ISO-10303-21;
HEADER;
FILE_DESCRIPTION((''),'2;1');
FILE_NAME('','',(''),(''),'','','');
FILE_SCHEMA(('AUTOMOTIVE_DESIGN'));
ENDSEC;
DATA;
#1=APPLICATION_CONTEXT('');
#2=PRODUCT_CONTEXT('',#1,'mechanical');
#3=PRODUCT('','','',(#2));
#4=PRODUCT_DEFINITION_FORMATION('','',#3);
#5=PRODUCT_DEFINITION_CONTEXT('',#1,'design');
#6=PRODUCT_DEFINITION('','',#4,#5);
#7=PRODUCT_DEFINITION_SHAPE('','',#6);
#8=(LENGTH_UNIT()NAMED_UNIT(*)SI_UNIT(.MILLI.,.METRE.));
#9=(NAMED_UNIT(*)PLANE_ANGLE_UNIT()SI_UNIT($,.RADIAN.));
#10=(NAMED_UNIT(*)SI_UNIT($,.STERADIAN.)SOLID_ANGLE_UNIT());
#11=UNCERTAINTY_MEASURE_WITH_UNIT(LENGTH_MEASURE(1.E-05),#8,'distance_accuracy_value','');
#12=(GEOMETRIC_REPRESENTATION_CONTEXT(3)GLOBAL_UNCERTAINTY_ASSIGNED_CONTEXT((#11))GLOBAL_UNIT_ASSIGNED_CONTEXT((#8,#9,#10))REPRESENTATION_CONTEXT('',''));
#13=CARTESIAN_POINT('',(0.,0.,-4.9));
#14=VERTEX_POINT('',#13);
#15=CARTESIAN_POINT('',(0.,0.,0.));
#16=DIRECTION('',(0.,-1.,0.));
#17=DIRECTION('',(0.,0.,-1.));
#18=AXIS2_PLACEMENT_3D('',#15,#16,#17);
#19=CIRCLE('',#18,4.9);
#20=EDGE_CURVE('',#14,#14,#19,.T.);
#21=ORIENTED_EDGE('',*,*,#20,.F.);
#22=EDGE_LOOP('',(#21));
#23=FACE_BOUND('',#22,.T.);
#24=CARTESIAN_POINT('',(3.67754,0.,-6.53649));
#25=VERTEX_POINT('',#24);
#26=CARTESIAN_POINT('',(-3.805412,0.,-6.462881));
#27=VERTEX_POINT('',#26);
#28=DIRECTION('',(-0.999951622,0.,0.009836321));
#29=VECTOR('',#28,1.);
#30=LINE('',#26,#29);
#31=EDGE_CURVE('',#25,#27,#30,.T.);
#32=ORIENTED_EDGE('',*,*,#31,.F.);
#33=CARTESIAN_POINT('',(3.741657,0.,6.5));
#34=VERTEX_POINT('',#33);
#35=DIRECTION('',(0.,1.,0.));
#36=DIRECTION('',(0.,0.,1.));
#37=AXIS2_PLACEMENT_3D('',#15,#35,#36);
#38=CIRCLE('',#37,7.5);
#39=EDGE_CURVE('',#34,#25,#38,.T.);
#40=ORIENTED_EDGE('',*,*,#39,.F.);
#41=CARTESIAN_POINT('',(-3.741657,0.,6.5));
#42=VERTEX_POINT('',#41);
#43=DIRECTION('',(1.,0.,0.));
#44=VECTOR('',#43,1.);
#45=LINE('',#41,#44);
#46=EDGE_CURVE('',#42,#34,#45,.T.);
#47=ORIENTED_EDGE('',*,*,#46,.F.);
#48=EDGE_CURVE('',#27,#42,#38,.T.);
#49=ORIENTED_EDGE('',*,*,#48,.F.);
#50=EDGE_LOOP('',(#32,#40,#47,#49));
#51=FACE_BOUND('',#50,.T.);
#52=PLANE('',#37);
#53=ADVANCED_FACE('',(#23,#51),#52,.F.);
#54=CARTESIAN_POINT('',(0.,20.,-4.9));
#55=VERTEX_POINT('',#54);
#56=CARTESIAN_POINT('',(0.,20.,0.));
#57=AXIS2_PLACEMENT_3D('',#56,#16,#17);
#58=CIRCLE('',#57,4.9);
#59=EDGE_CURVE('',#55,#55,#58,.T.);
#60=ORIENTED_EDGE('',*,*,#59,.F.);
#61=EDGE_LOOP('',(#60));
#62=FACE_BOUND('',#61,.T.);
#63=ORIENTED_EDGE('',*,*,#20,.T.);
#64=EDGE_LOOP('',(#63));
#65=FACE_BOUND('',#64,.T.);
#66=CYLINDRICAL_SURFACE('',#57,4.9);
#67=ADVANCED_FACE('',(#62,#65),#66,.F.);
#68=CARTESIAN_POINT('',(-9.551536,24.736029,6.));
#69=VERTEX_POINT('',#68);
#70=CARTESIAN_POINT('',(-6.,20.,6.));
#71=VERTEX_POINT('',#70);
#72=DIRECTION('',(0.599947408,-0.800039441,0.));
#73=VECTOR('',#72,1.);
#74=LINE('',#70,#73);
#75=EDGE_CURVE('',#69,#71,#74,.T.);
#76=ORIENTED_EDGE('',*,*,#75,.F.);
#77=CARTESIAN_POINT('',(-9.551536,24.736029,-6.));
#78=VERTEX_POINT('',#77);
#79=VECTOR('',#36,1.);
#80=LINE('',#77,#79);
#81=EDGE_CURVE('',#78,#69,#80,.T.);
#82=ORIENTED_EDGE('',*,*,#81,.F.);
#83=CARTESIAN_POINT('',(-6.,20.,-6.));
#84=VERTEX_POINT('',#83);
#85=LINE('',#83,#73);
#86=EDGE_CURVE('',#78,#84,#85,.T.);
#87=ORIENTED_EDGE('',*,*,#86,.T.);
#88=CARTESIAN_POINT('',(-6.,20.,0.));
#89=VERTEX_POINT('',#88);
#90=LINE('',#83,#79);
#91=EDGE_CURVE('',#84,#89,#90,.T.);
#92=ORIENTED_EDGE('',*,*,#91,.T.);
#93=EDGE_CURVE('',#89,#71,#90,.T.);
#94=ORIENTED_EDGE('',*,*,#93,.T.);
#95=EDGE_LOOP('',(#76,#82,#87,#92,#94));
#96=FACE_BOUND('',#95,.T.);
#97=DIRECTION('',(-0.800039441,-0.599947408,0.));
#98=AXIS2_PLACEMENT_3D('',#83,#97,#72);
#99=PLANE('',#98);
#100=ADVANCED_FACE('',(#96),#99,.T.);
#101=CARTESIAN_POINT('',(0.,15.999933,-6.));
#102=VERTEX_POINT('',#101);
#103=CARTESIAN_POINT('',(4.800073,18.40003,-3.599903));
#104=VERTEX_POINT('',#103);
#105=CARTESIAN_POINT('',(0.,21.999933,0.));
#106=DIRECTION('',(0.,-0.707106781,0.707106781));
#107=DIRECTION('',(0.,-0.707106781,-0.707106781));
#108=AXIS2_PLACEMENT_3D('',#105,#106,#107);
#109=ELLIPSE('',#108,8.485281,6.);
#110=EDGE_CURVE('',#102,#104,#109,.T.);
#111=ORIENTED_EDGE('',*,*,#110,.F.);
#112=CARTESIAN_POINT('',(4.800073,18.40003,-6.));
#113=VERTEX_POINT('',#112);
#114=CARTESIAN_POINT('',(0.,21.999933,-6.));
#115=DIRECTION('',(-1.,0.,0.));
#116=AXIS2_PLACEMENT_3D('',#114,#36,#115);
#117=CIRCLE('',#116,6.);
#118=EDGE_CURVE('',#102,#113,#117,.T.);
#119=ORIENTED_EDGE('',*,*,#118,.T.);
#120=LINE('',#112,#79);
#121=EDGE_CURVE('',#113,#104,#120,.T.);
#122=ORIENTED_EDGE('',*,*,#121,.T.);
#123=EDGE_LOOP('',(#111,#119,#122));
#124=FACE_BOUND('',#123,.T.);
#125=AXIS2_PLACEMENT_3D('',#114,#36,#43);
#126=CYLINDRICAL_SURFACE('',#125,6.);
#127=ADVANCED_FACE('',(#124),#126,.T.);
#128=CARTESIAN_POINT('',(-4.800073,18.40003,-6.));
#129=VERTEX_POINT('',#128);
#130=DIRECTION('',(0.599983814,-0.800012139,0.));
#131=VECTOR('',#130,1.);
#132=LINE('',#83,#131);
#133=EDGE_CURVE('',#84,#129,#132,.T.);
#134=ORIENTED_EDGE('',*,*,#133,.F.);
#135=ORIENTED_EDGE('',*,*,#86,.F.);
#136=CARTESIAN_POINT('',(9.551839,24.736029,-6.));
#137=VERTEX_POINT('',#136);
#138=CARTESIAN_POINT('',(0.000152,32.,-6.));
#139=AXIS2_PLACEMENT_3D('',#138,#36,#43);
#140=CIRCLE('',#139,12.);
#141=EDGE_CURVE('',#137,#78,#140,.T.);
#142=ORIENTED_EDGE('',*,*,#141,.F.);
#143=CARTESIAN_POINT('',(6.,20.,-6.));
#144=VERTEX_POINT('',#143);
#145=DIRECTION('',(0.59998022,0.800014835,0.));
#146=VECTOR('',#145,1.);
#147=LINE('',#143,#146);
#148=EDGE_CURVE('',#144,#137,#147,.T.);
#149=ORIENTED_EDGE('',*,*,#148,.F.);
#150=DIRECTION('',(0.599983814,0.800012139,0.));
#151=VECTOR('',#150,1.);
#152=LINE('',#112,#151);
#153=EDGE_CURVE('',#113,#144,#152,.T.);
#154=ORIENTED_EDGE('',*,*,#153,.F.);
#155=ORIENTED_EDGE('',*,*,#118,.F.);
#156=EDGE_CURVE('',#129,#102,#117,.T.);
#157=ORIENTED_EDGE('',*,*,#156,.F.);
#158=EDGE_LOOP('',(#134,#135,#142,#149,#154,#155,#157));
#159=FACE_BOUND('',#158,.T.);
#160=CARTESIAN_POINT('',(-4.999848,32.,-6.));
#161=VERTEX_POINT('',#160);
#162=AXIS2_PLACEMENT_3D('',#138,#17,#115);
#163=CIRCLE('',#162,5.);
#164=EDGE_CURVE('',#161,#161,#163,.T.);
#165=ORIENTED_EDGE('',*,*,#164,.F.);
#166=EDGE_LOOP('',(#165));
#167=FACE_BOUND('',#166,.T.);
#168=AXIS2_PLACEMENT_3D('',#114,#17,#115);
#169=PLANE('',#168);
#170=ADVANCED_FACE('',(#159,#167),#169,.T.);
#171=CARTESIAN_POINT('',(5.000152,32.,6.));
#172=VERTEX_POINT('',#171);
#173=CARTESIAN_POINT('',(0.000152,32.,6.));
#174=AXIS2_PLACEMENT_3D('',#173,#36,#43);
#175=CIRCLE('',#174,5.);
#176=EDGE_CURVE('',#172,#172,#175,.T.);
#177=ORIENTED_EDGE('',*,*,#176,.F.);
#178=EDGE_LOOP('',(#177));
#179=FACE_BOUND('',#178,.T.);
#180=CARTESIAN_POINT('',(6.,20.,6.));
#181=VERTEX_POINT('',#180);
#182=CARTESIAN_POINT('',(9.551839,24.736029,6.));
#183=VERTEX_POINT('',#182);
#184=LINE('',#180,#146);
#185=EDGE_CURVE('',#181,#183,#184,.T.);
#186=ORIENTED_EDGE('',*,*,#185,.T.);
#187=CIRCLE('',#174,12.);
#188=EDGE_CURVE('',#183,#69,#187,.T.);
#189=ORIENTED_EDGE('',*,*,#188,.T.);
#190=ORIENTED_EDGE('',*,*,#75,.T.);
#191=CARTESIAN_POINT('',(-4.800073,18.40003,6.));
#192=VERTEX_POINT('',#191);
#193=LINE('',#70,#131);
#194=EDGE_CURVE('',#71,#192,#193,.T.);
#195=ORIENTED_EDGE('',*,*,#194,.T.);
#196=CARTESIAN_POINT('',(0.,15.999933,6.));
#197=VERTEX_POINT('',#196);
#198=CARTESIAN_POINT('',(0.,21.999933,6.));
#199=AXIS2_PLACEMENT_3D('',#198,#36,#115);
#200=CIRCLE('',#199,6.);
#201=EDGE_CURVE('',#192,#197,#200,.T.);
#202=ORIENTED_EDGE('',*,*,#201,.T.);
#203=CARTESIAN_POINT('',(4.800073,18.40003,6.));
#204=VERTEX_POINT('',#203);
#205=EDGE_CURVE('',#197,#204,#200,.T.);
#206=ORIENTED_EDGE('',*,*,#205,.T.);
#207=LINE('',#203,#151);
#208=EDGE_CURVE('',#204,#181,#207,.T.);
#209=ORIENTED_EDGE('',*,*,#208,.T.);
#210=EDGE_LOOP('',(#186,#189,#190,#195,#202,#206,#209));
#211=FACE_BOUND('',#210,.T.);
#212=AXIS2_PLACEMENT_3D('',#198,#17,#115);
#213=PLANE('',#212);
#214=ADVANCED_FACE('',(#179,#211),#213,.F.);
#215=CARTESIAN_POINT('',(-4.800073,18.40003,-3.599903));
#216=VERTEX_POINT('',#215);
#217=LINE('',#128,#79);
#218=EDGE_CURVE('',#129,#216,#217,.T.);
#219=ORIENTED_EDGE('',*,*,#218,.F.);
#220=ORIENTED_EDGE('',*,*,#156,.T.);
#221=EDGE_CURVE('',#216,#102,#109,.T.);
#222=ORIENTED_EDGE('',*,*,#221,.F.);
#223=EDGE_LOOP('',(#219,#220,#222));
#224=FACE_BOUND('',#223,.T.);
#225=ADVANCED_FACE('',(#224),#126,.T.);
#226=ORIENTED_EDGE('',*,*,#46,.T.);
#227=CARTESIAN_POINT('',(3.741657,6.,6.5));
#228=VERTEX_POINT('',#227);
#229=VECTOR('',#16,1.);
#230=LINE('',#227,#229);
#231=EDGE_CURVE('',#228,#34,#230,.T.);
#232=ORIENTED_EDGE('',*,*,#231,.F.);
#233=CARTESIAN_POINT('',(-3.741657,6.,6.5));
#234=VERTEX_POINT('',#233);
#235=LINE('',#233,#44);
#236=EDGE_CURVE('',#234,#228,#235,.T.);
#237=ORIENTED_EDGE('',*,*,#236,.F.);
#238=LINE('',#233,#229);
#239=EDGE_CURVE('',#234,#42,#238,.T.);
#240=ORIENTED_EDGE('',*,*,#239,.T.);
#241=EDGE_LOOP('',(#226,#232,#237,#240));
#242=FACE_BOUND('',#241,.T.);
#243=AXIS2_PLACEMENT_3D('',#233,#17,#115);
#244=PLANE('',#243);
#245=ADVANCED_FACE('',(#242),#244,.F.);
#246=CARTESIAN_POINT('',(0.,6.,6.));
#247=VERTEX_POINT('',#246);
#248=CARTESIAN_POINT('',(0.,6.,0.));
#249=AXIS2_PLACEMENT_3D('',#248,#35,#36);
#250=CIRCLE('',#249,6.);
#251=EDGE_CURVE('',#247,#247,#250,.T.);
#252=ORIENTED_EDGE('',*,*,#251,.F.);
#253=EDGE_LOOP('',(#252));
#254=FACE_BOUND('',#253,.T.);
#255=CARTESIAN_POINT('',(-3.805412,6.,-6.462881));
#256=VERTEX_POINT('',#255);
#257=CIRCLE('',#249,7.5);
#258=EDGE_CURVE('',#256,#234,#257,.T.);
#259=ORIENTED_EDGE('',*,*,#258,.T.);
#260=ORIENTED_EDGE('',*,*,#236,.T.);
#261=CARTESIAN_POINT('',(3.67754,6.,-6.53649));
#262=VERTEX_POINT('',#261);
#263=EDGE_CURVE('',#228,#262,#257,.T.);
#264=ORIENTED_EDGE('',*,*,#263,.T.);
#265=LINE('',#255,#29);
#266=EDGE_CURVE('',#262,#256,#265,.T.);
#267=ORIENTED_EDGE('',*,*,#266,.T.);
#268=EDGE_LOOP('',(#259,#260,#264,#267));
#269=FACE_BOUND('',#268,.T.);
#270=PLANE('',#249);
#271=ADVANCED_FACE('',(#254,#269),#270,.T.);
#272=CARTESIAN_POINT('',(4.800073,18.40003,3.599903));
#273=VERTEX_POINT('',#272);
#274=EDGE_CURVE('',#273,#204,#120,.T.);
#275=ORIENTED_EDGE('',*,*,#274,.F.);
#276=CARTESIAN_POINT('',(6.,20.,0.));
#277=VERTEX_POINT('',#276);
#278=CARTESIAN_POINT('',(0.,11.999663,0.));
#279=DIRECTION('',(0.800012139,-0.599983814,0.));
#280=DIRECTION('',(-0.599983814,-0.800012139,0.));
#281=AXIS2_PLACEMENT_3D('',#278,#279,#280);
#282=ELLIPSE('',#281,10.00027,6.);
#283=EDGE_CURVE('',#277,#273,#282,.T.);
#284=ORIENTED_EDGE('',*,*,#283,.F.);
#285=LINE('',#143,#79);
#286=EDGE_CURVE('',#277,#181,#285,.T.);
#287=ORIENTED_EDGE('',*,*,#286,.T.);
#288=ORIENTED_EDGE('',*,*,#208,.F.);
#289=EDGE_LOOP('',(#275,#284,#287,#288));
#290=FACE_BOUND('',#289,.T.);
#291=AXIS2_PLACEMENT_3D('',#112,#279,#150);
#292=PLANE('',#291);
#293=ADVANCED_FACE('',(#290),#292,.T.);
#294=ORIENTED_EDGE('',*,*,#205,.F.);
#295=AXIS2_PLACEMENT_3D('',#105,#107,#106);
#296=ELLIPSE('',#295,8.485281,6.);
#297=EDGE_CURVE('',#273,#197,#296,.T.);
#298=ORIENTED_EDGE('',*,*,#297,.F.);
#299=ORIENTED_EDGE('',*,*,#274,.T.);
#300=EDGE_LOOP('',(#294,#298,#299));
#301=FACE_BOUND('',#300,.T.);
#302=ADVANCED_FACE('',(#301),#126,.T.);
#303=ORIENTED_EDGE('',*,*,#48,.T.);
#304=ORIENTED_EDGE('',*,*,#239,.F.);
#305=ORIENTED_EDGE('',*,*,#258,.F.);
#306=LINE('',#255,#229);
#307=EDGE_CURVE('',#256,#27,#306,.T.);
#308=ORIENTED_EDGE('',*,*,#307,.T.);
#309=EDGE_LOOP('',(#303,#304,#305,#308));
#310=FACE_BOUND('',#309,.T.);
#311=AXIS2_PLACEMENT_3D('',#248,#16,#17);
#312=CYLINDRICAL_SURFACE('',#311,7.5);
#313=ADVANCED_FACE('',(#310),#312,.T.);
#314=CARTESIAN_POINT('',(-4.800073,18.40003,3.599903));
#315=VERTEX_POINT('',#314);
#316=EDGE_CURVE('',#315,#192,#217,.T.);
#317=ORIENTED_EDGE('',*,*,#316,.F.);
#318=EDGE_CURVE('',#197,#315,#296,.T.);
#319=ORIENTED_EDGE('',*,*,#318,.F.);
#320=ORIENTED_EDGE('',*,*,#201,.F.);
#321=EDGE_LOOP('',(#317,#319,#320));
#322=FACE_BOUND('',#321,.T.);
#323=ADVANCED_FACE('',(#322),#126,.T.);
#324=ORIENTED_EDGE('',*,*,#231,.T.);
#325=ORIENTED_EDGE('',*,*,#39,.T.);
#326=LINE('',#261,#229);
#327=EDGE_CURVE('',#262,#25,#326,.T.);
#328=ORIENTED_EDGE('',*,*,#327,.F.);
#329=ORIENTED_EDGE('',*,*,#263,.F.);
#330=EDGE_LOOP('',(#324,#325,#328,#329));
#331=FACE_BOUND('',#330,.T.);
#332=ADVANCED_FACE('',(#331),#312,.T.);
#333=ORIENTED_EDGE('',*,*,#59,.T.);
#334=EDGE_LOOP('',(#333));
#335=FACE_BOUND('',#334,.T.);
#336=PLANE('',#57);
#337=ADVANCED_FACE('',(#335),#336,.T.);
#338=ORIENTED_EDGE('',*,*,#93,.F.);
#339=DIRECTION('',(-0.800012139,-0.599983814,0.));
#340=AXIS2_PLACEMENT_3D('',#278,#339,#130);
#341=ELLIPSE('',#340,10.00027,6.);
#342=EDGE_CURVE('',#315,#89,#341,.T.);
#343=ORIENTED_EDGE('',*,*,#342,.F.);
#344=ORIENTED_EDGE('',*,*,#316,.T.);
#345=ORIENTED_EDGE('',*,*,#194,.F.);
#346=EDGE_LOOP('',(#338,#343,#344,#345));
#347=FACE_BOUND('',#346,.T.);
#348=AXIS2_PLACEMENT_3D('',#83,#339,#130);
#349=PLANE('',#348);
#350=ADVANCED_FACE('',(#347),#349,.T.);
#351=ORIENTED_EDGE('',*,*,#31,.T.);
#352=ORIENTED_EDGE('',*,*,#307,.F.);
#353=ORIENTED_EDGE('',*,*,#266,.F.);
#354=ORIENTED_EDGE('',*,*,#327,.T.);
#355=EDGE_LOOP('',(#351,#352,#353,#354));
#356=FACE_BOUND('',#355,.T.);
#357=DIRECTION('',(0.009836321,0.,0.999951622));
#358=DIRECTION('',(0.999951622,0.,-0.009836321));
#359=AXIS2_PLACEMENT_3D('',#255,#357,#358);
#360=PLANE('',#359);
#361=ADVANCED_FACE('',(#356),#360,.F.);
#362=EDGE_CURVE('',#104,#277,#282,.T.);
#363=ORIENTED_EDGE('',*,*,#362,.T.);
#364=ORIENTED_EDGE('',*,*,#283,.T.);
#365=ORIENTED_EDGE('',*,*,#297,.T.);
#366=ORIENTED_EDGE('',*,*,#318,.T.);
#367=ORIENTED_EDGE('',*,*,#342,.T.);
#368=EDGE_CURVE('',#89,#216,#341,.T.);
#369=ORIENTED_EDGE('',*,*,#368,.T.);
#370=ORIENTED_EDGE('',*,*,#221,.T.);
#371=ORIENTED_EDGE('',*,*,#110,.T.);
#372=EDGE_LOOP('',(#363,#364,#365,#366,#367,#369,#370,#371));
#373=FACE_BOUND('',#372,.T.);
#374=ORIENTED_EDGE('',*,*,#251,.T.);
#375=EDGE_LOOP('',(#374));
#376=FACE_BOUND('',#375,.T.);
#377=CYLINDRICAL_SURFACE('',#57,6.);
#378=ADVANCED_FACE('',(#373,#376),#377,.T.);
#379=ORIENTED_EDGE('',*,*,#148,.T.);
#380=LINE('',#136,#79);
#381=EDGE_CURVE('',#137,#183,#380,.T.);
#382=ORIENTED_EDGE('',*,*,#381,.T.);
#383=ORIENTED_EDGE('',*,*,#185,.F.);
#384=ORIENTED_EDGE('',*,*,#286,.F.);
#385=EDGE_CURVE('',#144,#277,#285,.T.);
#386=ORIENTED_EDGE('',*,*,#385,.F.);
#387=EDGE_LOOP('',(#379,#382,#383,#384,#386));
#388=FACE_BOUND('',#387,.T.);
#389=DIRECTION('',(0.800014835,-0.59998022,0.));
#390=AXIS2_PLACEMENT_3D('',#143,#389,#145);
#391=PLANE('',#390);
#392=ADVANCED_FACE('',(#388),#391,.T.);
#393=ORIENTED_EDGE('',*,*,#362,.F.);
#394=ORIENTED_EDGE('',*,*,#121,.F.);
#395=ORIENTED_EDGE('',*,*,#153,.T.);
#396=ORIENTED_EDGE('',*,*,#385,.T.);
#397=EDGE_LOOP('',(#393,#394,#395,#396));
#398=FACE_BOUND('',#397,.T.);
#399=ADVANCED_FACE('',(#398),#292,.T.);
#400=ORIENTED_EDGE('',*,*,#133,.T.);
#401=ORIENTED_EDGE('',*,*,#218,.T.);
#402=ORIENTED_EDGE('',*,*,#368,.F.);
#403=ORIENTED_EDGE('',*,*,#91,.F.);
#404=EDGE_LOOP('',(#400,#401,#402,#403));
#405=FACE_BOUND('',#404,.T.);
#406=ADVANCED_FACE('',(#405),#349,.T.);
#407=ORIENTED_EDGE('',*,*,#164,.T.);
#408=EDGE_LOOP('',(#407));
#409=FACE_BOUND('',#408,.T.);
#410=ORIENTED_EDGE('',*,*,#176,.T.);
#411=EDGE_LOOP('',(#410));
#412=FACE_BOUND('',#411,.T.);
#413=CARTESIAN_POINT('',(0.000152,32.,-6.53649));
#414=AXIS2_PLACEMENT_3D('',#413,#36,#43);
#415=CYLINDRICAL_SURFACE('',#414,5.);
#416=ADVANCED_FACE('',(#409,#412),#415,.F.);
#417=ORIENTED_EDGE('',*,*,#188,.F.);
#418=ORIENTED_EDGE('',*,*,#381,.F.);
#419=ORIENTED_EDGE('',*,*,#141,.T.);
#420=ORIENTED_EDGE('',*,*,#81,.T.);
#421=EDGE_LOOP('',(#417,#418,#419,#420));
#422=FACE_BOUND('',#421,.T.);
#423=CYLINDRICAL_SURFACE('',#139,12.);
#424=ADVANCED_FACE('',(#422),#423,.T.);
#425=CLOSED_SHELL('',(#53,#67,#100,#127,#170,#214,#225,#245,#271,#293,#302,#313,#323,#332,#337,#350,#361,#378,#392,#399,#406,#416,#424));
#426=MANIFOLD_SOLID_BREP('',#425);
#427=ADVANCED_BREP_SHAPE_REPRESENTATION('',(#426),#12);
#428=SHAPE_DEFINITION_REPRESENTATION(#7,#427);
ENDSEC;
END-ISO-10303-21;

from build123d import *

# Parameters (mm, degrees)
BOSS_EXTRUDE1_DEPTH      = 6
SKETCH3_R                = 6
BOSS_EXTRUDE2_DEPTH      = 14
BOSS_EXTRUDE3_DEPTH      = 6
BOSS_EXTRUDE3_DEPTH_BACK = 6
SKETCH5_R                = 5
CUT_EXTRUDE1_DEPTH       = 48.298702048
SKETCH6_R                = 4.9
CUT_EXTRUDE2_DEPTH       = 20


with BuildPart() as part:
    # Sketch2 → Boss-Extrude1 (new body)
    with BuildSketch(Plane(origin=(0, 0, 0), x_dir=(1, 0, 0), z_dir=(0, 1, 0))):
        with BuildLine():
            Line((-3.80541246, 6.462881402), (3.677540288, 6.536489687))
            ThreePointArc((3.677540288, 6.536489687), (7.499909291, 0.03688665), (3.741657387, -6.5))
            Line((3.741657387, -6.5), (-3.741657387, -6.5))
            ThreePointArc((-3.741657387, -6.5), (-7.499909291, -0.03688665), (-3.80541246, 6.462881402))
        make_face()
    extrude(amount=BOSS_EXTRUDE1_DEPTH)

    # Sketch3 → Boss-Extrude2 (add)
    with BuildSketch(Plane(origin=(0, 6, 0), x_dir=(1, 0, 0), z_dir=(0, 1, 0))):
        Circle(SKETCH3_R)
    extrude(amount=BOSS_EXTRUDE2_DEPTH)

    # Sketch4 → Boss-Extrude3 (add, two sides: drawn at the far end of the back side and taken through both)
    with BuildSketch(Plane.XY.offset(-BOSS_EXTRUDE3_DEPTH_BACK)):
        with BuildLine():
            Line((6, 20), (9.551839137, 24.736029469))
            ThreePointArc((9.551839137, 24.736029469), (0.00015174, 44), (-9.551535656, 24.736029469))
            Line((-9.551535656, 24.736029469), (-6, 20))
            Line((-6, 20), (-4.800072834, 18.400029674))
            ThreePointArc((-4.800072834, 18.400029674), (0, 15.999932561), (4.800072834, 18.400029674))
            Line((4.800072834, 18.400029674), (6, 20))
        make_face()
    extrude(amount=BOSS_EXTRUDE3_DEPTH + BOSS_EXTRUDE3_DEPTH_BACK)

    # Sketch5 → Cut-Extrude1 (cut, through all)
    with BuildSketch(Plane.XY.offset(6)):
        with Locations((0.00015174, 32)):
            Circle(SKETCH5_R)
    extrude(amount=-CUT_EXTRUDE1_DEPTH, mode=Mode.SUBTRACT)

    # Sketch6 → Cut-Extrude2 (cut)
    with BuildSketch(Plane.XZ):
        Circle(SKETCH6_R)
    extrude(amount=-CUT_EXTRUDE2_DEPTH, mode=Mode.SUBTRACT)


solid = part.part
